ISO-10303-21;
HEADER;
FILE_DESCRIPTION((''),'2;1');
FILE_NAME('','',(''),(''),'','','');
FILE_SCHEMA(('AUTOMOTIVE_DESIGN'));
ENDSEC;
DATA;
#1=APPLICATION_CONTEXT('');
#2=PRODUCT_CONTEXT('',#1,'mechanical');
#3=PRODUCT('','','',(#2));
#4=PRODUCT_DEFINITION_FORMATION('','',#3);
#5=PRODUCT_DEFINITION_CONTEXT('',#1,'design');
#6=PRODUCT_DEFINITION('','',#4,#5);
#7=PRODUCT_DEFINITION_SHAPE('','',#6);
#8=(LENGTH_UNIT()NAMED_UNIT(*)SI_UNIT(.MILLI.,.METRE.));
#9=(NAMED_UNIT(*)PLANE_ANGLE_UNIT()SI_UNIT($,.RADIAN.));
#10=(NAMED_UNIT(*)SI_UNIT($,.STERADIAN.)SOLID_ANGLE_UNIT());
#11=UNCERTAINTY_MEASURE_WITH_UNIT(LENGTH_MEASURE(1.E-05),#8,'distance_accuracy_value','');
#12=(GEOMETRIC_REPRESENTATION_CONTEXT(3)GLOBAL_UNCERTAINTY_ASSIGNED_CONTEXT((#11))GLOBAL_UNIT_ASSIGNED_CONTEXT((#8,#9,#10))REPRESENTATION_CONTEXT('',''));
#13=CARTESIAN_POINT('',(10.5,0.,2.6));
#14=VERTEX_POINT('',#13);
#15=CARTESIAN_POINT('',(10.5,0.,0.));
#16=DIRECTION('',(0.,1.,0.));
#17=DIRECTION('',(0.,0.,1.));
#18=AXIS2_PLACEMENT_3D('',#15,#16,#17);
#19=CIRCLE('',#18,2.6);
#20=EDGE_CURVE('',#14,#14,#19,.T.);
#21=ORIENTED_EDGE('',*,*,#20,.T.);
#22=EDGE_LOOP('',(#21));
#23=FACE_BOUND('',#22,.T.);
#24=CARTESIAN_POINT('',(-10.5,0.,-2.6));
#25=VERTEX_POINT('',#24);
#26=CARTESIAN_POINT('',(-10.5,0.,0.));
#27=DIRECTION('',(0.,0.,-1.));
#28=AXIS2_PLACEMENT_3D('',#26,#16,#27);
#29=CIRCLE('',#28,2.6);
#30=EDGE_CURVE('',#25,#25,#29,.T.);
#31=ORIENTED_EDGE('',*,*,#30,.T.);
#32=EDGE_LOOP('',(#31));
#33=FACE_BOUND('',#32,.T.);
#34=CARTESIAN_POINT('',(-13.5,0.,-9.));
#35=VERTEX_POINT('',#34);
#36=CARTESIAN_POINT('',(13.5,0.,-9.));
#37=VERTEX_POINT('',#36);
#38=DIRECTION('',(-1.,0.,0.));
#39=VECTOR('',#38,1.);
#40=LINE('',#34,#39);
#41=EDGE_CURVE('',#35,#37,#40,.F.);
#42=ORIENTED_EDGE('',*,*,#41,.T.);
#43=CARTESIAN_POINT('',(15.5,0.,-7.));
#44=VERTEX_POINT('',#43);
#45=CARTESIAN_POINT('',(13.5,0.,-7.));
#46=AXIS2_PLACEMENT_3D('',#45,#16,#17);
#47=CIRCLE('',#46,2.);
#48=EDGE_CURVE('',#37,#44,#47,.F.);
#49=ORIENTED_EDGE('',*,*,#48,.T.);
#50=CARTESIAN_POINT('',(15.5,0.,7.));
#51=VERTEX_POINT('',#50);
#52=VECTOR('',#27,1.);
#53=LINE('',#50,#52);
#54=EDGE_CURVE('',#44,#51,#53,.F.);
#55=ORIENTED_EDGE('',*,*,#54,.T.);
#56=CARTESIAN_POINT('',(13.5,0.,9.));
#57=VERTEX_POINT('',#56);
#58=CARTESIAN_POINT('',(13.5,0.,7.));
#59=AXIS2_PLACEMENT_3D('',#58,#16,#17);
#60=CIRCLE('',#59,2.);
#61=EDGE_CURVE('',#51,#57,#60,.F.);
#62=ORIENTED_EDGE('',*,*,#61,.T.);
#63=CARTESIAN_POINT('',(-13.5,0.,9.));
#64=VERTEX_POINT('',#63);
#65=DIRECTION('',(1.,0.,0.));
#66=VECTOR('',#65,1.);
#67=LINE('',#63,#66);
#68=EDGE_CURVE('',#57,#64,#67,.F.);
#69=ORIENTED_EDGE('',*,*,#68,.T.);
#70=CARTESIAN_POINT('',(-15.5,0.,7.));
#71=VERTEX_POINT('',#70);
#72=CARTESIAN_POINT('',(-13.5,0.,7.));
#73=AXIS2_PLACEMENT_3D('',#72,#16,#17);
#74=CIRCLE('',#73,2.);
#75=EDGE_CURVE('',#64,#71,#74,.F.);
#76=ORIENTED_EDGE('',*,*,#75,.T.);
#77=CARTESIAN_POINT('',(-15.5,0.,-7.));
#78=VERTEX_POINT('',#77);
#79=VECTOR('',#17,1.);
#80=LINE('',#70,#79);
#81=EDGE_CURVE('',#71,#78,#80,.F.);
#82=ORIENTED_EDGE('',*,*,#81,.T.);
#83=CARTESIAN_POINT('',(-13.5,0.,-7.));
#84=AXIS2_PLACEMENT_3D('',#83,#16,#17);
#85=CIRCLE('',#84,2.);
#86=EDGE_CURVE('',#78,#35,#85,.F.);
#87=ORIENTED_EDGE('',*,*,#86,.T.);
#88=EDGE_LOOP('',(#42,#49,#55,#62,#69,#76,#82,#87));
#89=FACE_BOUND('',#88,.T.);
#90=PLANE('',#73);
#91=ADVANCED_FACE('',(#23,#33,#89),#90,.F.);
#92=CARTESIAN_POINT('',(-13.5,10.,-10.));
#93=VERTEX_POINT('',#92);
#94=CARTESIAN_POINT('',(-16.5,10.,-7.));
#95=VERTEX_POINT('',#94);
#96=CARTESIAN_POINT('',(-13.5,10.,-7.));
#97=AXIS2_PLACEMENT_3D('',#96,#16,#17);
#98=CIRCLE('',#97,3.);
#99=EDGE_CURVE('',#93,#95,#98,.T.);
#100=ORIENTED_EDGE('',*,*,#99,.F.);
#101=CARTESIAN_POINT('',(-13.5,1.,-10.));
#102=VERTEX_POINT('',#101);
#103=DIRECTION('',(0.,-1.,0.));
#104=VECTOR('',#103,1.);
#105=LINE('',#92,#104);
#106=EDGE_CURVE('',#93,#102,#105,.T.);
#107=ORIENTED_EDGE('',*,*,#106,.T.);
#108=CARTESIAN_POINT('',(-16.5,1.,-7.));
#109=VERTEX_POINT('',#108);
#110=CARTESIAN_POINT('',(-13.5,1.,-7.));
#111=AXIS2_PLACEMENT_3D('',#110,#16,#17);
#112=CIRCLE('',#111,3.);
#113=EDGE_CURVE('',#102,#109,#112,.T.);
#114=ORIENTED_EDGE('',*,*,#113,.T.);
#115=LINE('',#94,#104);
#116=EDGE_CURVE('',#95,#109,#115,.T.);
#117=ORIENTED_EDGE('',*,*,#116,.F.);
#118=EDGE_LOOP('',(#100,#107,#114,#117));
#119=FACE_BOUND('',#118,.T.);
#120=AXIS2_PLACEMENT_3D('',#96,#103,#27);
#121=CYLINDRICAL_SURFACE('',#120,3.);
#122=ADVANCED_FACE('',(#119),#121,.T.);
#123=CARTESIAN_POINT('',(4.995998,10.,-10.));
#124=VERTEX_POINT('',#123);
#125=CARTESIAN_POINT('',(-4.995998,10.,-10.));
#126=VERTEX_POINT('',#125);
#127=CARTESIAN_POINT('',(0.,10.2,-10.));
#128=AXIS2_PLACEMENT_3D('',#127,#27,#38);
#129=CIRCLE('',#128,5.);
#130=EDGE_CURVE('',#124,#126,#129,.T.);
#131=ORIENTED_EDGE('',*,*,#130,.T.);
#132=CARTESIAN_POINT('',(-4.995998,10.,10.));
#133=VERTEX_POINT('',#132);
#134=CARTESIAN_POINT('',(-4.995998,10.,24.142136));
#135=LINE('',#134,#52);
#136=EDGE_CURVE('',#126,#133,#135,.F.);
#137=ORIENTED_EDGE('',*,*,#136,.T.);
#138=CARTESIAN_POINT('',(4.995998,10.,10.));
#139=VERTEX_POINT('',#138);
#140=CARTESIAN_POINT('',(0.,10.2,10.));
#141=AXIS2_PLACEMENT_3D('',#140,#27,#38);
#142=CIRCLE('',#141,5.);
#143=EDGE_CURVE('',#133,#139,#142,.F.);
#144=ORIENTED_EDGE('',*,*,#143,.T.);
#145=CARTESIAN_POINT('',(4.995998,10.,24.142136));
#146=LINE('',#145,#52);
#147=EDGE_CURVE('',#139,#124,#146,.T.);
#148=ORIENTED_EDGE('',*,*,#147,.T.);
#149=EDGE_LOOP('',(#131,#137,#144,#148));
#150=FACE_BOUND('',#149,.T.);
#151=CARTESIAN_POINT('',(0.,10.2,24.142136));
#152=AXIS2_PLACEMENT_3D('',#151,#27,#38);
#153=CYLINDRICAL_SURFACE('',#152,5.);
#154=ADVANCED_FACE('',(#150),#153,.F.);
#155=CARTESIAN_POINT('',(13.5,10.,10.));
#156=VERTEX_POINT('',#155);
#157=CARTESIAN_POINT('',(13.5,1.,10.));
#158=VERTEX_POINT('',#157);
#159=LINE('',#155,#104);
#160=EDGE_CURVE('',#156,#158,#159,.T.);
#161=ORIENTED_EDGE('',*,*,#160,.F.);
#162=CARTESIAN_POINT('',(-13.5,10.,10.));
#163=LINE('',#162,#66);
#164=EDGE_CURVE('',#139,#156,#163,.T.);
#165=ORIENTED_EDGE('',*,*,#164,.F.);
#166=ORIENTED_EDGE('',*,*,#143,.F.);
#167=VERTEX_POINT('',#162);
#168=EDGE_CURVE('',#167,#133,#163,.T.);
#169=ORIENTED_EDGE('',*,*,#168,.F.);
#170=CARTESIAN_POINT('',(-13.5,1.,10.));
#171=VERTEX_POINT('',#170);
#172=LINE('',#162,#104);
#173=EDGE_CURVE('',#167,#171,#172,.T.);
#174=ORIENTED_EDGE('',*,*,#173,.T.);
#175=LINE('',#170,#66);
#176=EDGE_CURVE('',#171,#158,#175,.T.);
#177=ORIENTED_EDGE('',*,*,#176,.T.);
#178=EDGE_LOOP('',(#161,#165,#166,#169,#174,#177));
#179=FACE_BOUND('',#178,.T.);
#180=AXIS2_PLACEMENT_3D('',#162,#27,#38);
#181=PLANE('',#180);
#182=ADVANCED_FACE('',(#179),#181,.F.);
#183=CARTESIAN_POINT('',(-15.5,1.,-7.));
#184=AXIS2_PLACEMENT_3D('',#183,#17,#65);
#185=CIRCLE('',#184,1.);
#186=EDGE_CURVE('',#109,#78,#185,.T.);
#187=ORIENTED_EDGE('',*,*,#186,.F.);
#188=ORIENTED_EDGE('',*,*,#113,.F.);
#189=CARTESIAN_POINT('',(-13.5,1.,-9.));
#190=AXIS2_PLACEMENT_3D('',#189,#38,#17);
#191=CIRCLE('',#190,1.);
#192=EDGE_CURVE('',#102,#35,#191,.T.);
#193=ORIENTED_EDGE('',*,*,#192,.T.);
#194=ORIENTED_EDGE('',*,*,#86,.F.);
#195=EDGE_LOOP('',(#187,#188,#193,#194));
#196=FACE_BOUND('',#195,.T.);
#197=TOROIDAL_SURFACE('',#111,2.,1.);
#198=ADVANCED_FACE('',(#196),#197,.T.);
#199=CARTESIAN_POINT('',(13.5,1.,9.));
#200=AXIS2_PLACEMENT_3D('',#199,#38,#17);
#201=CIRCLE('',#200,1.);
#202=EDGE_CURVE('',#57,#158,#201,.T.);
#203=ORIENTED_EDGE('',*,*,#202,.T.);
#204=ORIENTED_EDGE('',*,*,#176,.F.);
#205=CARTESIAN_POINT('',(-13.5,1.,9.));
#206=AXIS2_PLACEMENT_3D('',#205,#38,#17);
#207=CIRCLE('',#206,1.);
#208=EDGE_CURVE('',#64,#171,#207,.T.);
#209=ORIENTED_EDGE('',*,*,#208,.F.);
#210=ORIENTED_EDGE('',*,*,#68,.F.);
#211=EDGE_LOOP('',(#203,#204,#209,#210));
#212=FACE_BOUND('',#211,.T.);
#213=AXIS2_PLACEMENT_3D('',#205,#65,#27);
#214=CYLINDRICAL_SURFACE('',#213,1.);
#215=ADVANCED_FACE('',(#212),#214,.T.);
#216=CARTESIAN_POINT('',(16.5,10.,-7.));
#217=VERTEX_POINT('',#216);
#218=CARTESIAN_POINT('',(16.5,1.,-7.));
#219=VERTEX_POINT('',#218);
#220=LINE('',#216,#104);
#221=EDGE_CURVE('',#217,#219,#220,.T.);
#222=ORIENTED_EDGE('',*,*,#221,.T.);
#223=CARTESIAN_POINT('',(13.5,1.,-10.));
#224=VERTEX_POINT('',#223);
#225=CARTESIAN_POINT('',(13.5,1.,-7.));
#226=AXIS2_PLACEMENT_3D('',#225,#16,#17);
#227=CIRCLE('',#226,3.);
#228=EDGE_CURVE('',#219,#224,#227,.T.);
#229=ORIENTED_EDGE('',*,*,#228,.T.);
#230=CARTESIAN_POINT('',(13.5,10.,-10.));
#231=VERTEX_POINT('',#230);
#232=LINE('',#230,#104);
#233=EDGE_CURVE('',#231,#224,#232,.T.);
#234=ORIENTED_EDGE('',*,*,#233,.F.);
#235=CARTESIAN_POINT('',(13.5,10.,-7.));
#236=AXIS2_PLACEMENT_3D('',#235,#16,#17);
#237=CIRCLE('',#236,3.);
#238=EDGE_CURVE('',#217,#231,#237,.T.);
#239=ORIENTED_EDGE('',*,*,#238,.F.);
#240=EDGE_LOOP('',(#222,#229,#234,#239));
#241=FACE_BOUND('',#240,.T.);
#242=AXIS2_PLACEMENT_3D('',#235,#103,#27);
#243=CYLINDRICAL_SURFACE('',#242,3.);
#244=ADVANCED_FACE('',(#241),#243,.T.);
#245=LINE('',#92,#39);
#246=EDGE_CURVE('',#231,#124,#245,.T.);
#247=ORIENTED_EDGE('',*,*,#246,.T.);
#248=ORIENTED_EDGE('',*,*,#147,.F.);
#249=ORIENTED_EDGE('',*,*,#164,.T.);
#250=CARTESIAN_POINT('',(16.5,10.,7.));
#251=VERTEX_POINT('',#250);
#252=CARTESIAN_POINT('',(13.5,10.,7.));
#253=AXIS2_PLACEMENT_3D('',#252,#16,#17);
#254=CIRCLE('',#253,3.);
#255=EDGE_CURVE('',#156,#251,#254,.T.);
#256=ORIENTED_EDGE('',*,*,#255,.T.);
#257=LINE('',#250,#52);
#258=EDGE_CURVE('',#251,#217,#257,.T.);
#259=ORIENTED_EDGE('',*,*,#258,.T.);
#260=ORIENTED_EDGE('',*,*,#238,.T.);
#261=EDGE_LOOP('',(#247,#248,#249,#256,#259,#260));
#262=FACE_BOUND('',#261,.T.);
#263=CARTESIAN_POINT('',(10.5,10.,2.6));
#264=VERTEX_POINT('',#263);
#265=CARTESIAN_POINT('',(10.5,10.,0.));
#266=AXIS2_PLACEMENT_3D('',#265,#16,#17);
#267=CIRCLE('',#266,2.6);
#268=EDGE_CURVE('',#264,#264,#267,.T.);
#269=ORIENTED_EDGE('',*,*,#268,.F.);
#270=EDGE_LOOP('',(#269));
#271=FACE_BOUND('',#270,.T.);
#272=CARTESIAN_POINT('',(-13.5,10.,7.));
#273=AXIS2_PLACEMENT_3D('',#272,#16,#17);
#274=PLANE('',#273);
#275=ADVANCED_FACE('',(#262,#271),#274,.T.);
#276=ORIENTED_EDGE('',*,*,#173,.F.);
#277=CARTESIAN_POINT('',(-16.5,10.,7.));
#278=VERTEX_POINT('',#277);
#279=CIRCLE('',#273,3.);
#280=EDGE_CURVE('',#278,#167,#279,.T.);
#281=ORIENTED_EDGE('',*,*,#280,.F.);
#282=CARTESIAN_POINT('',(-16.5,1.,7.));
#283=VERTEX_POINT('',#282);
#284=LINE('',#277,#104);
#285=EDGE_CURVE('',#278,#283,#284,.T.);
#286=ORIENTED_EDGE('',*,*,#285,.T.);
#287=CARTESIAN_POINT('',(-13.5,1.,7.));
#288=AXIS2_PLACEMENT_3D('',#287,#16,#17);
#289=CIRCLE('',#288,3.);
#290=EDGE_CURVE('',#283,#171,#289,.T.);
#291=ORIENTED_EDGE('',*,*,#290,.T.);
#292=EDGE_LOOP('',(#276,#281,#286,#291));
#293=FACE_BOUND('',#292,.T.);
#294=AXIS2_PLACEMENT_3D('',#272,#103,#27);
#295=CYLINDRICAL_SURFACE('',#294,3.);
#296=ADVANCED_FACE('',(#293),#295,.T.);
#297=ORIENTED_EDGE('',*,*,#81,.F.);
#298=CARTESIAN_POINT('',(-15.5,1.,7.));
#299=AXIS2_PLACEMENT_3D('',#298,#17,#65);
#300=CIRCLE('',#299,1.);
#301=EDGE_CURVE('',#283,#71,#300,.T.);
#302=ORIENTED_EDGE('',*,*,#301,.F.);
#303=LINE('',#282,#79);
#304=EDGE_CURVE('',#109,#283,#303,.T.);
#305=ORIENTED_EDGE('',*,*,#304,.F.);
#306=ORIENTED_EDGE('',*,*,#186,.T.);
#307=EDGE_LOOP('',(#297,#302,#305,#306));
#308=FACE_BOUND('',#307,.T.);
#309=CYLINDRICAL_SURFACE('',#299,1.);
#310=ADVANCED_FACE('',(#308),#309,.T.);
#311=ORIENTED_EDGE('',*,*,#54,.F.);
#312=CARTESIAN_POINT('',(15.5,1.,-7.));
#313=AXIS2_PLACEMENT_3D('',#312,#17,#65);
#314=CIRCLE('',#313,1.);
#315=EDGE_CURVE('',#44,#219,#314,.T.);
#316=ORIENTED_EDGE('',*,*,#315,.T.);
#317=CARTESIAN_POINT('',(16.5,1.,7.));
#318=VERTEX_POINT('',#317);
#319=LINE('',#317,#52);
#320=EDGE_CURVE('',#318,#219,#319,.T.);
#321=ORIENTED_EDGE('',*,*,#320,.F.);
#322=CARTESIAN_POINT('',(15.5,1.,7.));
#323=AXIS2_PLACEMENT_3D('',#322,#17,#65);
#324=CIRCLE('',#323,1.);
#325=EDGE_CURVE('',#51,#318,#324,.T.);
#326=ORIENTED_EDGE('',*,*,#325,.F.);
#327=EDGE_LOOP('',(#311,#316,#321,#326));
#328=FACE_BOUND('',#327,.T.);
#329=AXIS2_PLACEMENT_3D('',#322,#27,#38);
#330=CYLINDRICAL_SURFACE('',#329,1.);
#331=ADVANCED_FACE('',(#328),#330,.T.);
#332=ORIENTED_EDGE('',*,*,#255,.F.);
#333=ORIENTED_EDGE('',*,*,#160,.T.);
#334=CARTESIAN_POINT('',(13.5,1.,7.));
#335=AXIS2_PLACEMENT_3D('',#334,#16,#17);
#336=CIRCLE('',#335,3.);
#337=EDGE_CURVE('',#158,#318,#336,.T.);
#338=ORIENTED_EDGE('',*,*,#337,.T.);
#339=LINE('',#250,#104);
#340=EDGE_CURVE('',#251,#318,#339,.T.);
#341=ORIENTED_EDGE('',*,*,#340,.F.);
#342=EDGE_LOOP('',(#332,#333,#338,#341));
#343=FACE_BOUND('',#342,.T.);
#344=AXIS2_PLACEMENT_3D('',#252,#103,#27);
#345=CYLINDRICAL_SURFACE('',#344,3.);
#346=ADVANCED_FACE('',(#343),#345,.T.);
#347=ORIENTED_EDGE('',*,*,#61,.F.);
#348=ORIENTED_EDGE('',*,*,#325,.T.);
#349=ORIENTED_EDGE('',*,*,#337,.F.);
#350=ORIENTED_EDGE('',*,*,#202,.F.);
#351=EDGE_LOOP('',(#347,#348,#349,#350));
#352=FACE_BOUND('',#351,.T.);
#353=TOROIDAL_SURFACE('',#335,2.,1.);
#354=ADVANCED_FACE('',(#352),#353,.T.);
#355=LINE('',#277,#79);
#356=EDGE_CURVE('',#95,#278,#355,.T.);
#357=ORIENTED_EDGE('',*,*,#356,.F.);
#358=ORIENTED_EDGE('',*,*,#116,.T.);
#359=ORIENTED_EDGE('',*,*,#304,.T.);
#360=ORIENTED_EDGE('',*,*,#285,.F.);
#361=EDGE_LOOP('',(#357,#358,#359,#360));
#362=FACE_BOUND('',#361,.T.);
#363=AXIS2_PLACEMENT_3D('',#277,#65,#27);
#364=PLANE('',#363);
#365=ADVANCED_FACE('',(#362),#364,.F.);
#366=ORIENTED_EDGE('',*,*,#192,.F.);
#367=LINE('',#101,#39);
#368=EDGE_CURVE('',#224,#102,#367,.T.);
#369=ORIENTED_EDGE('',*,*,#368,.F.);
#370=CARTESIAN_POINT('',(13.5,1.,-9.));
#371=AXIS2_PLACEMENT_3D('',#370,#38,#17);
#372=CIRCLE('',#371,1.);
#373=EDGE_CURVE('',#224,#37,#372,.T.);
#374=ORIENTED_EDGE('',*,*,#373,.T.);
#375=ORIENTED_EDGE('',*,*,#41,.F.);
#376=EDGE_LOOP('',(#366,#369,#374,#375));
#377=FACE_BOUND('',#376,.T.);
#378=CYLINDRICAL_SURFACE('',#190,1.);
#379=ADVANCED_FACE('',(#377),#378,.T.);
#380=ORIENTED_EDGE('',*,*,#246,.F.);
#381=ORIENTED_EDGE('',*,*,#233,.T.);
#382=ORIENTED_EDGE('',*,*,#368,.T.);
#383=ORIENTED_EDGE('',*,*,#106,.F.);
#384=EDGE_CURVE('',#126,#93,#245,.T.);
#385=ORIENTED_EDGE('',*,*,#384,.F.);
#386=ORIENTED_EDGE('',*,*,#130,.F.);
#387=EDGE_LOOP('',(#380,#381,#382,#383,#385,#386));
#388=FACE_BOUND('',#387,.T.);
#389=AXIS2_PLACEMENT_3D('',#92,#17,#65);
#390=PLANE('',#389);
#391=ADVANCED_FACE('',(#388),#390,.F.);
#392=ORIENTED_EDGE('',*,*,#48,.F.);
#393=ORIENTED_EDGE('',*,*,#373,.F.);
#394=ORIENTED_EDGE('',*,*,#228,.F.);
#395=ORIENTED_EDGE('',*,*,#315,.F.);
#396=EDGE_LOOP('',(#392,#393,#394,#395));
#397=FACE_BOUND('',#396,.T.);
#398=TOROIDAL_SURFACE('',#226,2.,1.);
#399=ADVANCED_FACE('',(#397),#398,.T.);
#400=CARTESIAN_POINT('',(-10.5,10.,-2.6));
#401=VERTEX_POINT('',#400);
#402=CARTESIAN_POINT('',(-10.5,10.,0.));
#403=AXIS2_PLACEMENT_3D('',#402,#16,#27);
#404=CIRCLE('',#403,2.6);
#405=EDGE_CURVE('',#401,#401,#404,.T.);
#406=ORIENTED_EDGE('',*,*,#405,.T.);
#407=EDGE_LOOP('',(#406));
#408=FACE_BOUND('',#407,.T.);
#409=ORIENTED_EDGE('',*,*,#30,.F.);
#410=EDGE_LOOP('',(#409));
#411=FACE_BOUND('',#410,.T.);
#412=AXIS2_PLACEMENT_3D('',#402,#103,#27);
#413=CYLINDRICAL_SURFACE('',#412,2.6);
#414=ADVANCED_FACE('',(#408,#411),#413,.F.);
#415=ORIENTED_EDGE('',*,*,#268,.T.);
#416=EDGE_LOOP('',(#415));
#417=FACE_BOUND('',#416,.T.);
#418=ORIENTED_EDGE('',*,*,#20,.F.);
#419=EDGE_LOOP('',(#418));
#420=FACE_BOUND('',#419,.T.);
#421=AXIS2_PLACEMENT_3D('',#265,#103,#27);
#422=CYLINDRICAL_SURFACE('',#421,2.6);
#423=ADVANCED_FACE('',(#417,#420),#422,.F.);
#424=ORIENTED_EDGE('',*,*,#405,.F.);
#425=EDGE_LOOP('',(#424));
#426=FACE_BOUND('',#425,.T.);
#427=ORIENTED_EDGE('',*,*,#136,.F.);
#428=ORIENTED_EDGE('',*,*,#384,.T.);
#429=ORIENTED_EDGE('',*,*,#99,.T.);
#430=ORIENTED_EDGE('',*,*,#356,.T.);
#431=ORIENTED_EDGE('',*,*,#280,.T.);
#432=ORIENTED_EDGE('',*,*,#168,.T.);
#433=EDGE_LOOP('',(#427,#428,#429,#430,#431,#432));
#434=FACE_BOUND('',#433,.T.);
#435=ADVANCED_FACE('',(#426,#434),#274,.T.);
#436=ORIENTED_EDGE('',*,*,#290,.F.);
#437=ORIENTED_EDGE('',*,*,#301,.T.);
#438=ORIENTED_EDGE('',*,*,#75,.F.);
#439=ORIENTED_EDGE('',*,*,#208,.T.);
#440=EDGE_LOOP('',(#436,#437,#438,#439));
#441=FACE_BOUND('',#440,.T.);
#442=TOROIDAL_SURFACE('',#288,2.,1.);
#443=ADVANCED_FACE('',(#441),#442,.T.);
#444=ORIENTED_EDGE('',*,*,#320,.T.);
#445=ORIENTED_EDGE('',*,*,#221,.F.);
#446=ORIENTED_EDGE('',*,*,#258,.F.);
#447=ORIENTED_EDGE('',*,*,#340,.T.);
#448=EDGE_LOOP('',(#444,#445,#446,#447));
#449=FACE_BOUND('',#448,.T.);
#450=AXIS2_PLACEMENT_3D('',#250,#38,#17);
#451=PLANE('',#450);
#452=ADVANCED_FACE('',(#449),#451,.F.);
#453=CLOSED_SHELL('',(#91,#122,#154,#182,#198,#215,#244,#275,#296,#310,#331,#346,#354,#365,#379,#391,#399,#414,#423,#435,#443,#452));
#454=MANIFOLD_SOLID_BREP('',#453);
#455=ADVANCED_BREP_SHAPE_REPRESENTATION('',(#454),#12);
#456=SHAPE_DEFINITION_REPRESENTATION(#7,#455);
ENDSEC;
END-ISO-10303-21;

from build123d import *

# Parameters (mm, degrees)
SKETCH1_R           = 2.6
BOSS_EXTRUDE3_DEPTH = 10
SKETCH5_R           = 5
CUT_EXTRUDE3_DEPTH  = 20
FILLET2_R           = 1


with BuildPart() as part:
    # Sketch1 → Boss-Extrude3 (new body)
    with BuildSketch(Plane(origin=(0, 0, 0), x_dir=(1, 0, 0), z_dir=(0, 1, 0))):
        with BuildLine():
            Line((-13.5, -10), (13.5, -10))
            ThreePointArc((13.5, -10), (15.621320344, -9.121320344), (16.5, -7))
            Line((16.5, -7), (16.5, 7))
            ThreePointArc((16.5, 7), (15.621320344, 9.121320344), (13.5, 10))
            Line((13.5, 10), (-13.5, 10))
            ThreePointArc((-13.5, 10), (-15.621320344, 9.121320344), (-16.5, 7))
            Line((-16.5, 7), (-16.5, -7))
            ThreePointArc((-16.5, -7), (-15.621320344, -9.121320344), (-13.5, -10))
        make_face()
        with Locations((10.5, 0)):
            Circle(SKETCH1_R, mode=Mode.SUBTRACT)
        with Locations((-10.5, 0)):
            Circle(SKETCH1_R, mode=Mode.SUBTRACT)
    extrude(amount=BOSS_EXTRUDE3_DEPTH)

    # Sketch5 → Cut-Extrude3 (cut)
    with BuildSketch(Plane(origin=(0, 0, -10), x_dir=(-1, 0, 0), z_dir=(0, 0, -1))):
        with Locations((0, 10.2)):
            Circle(SKETCH5_R)
    extrude(amount=-CUT_EXTRUDE3_DEPTH, mode=Mode.SUBTRACT)

    # Fillet2
    fillet2_edges = [part.edges().sort_by_distance(p)[0] for p in [
        (0, 0, 10),
        (-15.621320344, 0, 9.121320344),
        (-16.5, 0, 0),
        (-15.621320344, 0, -9.121320344),
        (0, 0, -10),
        (15.621320344, 0, -9.121320344),
        (16.5, 0, 0),
        (15.621320344, 0, 9.121320344),
    ]]
    fillet(fillet2_edges, radius=FILLET2_R)


solid = part.part
